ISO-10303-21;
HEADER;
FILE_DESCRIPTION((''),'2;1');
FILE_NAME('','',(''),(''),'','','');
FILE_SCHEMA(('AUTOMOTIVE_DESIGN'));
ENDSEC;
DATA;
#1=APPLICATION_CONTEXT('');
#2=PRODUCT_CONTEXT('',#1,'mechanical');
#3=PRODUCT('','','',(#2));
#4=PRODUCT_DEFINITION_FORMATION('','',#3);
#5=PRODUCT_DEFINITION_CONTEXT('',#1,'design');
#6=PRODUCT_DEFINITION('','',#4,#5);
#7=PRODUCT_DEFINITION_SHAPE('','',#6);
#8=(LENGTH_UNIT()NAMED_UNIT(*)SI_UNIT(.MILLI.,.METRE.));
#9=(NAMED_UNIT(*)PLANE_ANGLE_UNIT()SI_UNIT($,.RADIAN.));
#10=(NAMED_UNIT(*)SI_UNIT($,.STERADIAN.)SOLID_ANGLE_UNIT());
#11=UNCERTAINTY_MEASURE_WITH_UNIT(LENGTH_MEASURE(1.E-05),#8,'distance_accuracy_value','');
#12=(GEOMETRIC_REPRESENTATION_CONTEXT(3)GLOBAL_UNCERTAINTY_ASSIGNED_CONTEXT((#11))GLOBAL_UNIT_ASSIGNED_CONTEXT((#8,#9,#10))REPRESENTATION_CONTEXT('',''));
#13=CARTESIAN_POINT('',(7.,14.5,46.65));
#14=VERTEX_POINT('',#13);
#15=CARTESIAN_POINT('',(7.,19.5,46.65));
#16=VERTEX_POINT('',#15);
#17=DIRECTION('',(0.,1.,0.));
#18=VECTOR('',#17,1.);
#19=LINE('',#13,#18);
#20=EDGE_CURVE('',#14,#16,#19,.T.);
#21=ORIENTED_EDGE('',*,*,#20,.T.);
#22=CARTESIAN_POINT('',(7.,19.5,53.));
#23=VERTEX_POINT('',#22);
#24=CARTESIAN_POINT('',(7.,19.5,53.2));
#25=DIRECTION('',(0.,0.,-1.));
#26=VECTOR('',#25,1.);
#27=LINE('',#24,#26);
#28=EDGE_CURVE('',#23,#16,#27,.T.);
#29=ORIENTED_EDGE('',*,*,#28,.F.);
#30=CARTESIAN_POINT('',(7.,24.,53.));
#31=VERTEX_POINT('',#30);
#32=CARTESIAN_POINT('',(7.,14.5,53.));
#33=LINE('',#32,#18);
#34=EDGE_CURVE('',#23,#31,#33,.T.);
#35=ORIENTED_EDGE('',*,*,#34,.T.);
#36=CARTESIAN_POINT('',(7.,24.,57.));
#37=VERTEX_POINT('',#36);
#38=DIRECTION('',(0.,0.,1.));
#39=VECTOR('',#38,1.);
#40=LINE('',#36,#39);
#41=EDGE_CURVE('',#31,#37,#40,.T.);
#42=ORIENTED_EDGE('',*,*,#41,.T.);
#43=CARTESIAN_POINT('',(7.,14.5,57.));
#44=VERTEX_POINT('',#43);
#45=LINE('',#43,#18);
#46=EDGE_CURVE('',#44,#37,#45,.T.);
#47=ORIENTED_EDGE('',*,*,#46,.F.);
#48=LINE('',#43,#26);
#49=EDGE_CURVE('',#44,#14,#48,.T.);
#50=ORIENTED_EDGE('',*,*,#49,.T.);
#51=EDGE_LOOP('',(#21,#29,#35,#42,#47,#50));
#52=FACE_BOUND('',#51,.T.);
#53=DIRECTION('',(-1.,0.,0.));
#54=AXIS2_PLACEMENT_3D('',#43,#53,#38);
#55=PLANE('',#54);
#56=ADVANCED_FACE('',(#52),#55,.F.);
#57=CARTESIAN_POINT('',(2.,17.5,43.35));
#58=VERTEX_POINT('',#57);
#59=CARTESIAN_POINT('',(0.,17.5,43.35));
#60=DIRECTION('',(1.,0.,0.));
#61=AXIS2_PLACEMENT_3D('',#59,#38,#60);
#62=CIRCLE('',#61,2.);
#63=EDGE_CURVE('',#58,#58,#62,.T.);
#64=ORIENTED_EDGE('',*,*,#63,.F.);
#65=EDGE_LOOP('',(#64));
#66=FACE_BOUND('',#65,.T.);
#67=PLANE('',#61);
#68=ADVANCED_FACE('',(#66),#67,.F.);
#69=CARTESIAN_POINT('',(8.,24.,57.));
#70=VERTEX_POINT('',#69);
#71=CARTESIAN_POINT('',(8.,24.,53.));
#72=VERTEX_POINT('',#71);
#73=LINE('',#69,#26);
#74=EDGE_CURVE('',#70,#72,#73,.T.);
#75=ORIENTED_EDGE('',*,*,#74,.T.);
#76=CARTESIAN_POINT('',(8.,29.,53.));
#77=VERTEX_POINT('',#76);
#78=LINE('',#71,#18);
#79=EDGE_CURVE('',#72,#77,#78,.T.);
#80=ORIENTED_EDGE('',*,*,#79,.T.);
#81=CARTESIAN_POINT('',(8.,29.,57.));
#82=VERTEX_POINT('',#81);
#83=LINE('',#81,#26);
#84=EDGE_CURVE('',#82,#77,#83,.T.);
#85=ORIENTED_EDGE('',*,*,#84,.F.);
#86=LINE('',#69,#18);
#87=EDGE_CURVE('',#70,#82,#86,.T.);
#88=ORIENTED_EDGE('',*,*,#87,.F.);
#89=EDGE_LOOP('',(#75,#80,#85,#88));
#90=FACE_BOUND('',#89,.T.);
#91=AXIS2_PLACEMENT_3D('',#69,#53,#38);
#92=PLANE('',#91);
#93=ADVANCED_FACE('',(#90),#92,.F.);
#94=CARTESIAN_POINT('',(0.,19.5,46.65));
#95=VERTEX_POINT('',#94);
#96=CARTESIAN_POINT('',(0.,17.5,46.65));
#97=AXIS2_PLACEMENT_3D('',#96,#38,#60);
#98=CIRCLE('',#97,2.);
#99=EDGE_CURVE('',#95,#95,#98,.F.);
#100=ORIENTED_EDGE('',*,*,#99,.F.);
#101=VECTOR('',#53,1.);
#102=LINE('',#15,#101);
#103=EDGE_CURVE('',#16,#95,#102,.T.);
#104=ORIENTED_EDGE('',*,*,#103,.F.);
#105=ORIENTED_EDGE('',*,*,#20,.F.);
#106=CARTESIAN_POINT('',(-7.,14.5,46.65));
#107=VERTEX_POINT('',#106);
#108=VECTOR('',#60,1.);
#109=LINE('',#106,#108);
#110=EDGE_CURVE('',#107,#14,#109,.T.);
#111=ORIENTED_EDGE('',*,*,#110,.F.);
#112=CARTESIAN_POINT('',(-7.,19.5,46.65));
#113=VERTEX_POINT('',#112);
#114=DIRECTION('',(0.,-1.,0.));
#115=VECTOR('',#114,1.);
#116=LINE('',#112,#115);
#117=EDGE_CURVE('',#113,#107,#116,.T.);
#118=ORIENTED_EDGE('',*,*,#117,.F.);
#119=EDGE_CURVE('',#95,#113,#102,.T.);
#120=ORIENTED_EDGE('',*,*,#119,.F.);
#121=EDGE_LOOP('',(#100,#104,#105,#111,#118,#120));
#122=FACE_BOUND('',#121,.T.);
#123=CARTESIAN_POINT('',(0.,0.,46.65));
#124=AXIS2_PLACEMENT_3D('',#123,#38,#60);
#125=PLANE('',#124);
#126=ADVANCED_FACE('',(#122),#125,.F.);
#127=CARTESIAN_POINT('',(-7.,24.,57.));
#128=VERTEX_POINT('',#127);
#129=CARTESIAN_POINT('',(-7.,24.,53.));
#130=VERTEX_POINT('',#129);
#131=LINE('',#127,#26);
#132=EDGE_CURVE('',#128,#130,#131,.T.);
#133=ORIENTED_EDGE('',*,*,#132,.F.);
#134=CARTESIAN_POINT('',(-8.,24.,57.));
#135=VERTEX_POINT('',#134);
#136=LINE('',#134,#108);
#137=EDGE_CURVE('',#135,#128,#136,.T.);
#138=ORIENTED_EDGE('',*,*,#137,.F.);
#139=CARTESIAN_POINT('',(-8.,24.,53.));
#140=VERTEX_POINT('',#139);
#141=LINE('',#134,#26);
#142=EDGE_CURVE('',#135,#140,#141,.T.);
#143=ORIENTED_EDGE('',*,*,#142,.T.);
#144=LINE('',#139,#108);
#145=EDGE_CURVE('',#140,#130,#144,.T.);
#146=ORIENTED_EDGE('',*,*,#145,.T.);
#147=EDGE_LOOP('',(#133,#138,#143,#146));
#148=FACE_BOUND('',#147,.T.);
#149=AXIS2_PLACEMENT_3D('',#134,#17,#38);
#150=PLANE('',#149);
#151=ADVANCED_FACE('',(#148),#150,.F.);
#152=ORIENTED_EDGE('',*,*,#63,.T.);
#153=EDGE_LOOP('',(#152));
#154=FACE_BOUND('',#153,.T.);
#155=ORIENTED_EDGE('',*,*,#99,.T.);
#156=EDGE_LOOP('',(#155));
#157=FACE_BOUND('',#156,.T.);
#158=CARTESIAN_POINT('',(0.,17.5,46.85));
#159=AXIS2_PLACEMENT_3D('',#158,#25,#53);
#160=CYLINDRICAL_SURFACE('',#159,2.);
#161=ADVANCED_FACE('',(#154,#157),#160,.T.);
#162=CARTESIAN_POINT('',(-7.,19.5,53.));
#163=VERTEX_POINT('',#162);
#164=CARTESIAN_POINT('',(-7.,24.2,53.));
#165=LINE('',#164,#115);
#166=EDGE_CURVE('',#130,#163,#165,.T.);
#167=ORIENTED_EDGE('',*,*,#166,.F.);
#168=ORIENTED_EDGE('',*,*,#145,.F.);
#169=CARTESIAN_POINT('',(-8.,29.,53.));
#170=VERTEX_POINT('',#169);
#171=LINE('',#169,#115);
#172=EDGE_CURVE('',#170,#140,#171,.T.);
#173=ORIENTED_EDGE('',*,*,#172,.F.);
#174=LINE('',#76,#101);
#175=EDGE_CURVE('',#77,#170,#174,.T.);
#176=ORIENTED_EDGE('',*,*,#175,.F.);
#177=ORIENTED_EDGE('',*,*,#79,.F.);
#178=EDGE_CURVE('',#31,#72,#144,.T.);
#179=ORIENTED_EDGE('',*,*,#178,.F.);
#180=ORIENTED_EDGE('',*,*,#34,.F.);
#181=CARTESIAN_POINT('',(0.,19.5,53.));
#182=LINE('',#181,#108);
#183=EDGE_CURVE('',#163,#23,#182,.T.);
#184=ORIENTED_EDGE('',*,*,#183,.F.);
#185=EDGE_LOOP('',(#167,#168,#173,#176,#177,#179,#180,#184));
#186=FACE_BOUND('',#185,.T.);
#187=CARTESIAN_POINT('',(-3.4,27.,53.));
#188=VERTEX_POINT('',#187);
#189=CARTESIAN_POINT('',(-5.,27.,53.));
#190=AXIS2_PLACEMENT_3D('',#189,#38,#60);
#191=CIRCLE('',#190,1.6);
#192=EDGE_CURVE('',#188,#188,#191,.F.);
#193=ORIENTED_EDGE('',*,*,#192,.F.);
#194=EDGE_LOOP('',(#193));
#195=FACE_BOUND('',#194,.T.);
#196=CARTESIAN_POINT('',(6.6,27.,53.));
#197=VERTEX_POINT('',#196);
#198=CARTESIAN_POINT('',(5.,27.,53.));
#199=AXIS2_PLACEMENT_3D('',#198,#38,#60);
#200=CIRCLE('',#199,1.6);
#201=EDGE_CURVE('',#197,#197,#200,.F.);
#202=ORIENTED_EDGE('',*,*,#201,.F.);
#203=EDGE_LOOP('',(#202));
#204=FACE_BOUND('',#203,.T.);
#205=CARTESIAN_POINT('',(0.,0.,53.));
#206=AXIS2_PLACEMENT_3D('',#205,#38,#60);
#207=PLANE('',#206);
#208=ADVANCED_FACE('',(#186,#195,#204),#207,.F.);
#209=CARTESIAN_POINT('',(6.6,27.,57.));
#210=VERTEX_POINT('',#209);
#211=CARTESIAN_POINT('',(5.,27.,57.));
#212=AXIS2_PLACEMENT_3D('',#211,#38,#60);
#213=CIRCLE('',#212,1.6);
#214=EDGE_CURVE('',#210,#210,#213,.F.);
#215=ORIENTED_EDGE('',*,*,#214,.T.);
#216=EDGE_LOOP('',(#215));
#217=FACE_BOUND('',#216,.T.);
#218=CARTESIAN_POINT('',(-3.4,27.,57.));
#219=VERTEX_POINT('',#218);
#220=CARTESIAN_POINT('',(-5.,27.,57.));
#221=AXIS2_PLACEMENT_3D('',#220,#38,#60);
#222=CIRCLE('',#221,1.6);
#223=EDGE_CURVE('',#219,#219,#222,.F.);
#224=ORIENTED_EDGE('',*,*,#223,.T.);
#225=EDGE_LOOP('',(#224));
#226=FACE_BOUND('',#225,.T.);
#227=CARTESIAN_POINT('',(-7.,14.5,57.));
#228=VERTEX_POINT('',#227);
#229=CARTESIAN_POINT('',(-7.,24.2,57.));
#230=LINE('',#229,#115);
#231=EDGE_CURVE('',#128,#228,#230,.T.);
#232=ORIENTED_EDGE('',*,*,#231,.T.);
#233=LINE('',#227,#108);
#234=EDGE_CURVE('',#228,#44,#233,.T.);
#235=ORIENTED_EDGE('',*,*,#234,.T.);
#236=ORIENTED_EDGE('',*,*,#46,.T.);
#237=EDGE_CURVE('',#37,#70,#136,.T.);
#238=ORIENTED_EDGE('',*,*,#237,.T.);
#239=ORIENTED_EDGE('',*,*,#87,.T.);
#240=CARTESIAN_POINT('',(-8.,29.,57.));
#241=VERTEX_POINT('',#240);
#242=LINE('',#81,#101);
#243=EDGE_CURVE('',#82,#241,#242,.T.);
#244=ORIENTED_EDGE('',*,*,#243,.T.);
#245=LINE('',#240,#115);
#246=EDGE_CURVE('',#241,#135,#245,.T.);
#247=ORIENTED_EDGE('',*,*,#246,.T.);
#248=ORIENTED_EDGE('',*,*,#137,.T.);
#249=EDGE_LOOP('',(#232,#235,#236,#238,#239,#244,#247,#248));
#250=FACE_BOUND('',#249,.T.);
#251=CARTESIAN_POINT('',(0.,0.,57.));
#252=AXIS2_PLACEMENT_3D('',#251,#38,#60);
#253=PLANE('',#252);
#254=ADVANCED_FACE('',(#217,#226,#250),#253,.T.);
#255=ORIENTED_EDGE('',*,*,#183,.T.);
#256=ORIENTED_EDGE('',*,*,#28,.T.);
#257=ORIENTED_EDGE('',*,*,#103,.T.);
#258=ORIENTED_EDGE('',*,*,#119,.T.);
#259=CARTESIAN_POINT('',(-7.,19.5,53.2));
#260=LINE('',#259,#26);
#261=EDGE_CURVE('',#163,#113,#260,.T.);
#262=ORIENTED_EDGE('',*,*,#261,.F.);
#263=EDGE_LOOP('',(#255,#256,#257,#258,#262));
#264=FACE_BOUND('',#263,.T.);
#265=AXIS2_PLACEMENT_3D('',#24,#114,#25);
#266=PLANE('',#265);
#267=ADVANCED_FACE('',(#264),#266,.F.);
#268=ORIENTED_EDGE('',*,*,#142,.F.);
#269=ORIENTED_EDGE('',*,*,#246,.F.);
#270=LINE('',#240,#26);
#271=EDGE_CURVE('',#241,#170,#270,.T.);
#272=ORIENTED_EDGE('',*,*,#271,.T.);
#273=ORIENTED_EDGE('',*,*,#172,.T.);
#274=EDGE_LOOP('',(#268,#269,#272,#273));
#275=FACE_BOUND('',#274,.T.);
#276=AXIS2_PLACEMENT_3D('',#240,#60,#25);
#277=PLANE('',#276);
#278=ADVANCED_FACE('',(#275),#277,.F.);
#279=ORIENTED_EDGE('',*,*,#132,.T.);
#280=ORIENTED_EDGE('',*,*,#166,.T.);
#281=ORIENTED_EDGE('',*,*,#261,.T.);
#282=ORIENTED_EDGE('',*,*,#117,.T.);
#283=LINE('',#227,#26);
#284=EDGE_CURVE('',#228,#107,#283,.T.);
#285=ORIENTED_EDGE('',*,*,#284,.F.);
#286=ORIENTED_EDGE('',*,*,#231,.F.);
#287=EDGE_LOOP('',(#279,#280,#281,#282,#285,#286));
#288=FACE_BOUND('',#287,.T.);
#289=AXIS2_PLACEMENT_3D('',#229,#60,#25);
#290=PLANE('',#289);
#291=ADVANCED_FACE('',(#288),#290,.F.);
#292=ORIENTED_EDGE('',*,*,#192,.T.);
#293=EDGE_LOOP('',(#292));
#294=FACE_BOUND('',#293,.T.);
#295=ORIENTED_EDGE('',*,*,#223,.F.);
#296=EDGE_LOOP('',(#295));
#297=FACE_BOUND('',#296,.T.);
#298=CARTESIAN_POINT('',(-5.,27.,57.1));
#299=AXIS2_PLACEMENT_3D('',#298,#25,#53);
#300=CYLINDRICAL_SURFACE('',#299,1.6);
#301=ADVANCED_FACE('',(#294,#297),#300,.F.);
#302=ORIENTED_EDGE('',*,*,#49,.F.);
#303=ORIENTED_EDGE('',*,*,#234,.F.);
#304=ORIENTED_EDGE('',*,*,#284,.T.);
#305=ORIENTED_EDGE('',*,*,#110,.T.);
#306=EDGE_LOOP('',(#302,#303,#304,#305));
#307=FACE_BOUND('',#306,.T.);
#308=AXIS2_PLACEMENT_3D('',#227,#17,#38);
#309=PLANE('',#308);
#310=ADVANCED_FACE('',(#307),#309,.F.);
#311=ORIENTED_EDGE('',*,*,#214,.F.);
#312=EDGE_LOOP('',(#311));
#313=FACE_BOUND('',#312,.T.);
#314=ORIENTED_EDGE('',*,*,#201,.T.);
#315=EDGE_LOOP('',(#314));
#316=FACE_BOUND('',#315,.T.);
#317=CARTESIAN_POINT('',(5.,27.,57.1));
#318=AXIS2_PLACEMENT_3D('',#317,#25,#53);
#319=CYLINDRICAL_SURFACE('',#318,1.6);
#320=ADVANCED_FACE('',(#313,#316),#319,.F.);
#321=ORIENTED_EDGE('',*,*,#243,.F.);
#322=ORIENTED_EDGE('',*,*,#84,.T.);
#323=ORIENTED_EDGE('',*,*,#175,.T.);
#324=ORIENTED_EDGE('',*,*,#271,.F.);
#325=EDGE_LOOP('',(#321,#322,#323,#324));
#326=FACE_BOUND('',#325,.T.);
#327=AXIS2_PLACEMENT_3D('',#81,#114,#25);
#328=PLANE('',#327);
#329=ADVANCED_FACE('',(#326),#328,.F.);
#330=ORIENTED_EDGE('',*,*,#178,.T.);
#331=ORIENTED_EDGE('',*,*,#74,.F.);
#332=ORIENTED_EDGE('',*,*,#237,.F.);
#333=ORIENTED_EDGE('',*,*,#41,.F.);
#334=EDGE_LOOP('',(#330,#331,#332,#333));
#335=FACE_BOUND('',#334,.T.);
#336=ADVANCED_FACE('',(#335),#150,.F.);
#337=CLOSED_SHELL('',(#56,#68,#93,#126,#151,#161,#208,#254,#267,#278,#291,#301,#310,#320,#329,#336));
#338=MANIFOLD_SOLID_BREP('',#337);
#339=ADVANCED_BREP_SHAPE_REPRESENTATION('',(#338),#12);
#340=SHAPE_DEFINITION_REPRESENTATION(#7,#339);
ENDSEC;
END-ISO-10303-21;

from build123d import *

# Parameters (mm, degrees)
INTEGRATED_START                              = 53
INTEGRATED_HORIZONTAL_STOP_PAD_PROFILE_W      = 16
INTEGRATED_HORIZONTAL_STOP_PAD_PROFILE_H      = 5
INTEGRATED_HORIZONTAL_STOP_PAD_DEPTH          = 4
INTEGRAL_START                                = 53
INTEGRAL_UPRIGHT_PROFILE_W                    = 14
INTEGRAL_UPRIGHT_PROFILE_H                    = 9.7
INTEGRAL_UPRIGHT_DEPTH                        = 4
HORIZONTAL_START                              = 46.65
HORIZONTAL_LIMIT_PIN_ARM_PROFILE_W            = 14
HORIZONTAL_LIMIT_PIN_ARM_PROFILE_H            = 5
HORIZONTAL_LIMIT_PIN_ARM_DEPTH                = 6.55
BUILT_START                                   = 43.35
BUILT_IN_STOP_PIN_DIAMETER_4_MM_PROFILE_R     = 2
BUILT_IN_STOP_PIN_DIAMETER_4_MM_DEPTH         = 3.5
STOP_START                                    = 52.9
STOP_CLEARANCE_TWO_M3_HOLES_10_MM_PI_2_R      = 1.6
STOP_CLEARANCE_TWO_M3_HOLES_10_MM_PITCH_DEPTH = 4.2


with BuildPart() as part:
    # Integrated horizontal stop pad profile → Integrated horizontal stop pad (new body)
    with BuildSketch(Plane.XY.offset(INTEGRATED_START)):
        with Locations((0, 26.5)):
            Rectangle(INTEGRATED_HORIZONTAL_STOP_PAD_PROFILE_W, INTEGRATED_HORIZONTAL_STOP_PAD_PROFILE_H)
    extrude(amount=INTEGRATED_HORIZONTAL_STOP_PAD_DEPTH)

    # Integral upright profile → Integral upright (add)
    with BuildSketch(Plane.XY.offset(INTEGRAL_START)):
        with Locations((0, 19.35)):
            Rectangle(INTEGRAL_UPRIGHT_PROFILE_W, INTEGRAL_UPRIGHT_PROFILE_H)
    extrude(amount=INTEGRAL_UPRIGHT_DEPTH)

    # Horizontal limit pin arm profile → Horizontal limit pin arm (add)
    with BuildSketch(Plane.XY.offset(HORIZONTAL_START)):
        with Locations((0, 17)):
            Rectangle(HORIZONTAL_LIMIT_PIN_ARM_PROFILE_W, HORIZONTAL_LIMIT_PIN_ARM_PROFILE_H)
    extrude(amount=HORIZONTAL_LIMIT_PIN_ARM_DEPTH)

    # Built in stop pin diameter 4 mm profile → Built in stop pin diameter 4 mm (add)
    with BuildSketch(Plane.XY.offset(BUILT_START)):
        with Locations(Location((0, 17.5, 0), (0, 0, 90))):
            Circle(BUILT_IN_STOP_PIN_DIAMETER_4_MM_PROFILE_R)
    extrude(amount=BUILT_IN_STOP_PIN_DIAMETER_4_MM_DEPTH)

    # Stop clearance two M3 holes 10 mm pi 2 → Stop clearance two M3 holes 10 mm pitch (cut)
    with BuildSketch(Plane.XY.offset(STOP_START)):
        with Locations((-5, 27)):
            Circle(STOP_CLEARANCE_TWO_M3_HOLES_10_MM_PI_2_R)
        with Locations((5, 27)):
            Circle(STOP_CLEARANCE_TWO_M3_HOLES_10_MM_PI_2_R)
    extrude(amount=STOP_CLEARANCE_TWO_M3_HOLES_10_MM_PITCH_DEPTH, mode=Mode.SUBTRACT)


solid = part.part
